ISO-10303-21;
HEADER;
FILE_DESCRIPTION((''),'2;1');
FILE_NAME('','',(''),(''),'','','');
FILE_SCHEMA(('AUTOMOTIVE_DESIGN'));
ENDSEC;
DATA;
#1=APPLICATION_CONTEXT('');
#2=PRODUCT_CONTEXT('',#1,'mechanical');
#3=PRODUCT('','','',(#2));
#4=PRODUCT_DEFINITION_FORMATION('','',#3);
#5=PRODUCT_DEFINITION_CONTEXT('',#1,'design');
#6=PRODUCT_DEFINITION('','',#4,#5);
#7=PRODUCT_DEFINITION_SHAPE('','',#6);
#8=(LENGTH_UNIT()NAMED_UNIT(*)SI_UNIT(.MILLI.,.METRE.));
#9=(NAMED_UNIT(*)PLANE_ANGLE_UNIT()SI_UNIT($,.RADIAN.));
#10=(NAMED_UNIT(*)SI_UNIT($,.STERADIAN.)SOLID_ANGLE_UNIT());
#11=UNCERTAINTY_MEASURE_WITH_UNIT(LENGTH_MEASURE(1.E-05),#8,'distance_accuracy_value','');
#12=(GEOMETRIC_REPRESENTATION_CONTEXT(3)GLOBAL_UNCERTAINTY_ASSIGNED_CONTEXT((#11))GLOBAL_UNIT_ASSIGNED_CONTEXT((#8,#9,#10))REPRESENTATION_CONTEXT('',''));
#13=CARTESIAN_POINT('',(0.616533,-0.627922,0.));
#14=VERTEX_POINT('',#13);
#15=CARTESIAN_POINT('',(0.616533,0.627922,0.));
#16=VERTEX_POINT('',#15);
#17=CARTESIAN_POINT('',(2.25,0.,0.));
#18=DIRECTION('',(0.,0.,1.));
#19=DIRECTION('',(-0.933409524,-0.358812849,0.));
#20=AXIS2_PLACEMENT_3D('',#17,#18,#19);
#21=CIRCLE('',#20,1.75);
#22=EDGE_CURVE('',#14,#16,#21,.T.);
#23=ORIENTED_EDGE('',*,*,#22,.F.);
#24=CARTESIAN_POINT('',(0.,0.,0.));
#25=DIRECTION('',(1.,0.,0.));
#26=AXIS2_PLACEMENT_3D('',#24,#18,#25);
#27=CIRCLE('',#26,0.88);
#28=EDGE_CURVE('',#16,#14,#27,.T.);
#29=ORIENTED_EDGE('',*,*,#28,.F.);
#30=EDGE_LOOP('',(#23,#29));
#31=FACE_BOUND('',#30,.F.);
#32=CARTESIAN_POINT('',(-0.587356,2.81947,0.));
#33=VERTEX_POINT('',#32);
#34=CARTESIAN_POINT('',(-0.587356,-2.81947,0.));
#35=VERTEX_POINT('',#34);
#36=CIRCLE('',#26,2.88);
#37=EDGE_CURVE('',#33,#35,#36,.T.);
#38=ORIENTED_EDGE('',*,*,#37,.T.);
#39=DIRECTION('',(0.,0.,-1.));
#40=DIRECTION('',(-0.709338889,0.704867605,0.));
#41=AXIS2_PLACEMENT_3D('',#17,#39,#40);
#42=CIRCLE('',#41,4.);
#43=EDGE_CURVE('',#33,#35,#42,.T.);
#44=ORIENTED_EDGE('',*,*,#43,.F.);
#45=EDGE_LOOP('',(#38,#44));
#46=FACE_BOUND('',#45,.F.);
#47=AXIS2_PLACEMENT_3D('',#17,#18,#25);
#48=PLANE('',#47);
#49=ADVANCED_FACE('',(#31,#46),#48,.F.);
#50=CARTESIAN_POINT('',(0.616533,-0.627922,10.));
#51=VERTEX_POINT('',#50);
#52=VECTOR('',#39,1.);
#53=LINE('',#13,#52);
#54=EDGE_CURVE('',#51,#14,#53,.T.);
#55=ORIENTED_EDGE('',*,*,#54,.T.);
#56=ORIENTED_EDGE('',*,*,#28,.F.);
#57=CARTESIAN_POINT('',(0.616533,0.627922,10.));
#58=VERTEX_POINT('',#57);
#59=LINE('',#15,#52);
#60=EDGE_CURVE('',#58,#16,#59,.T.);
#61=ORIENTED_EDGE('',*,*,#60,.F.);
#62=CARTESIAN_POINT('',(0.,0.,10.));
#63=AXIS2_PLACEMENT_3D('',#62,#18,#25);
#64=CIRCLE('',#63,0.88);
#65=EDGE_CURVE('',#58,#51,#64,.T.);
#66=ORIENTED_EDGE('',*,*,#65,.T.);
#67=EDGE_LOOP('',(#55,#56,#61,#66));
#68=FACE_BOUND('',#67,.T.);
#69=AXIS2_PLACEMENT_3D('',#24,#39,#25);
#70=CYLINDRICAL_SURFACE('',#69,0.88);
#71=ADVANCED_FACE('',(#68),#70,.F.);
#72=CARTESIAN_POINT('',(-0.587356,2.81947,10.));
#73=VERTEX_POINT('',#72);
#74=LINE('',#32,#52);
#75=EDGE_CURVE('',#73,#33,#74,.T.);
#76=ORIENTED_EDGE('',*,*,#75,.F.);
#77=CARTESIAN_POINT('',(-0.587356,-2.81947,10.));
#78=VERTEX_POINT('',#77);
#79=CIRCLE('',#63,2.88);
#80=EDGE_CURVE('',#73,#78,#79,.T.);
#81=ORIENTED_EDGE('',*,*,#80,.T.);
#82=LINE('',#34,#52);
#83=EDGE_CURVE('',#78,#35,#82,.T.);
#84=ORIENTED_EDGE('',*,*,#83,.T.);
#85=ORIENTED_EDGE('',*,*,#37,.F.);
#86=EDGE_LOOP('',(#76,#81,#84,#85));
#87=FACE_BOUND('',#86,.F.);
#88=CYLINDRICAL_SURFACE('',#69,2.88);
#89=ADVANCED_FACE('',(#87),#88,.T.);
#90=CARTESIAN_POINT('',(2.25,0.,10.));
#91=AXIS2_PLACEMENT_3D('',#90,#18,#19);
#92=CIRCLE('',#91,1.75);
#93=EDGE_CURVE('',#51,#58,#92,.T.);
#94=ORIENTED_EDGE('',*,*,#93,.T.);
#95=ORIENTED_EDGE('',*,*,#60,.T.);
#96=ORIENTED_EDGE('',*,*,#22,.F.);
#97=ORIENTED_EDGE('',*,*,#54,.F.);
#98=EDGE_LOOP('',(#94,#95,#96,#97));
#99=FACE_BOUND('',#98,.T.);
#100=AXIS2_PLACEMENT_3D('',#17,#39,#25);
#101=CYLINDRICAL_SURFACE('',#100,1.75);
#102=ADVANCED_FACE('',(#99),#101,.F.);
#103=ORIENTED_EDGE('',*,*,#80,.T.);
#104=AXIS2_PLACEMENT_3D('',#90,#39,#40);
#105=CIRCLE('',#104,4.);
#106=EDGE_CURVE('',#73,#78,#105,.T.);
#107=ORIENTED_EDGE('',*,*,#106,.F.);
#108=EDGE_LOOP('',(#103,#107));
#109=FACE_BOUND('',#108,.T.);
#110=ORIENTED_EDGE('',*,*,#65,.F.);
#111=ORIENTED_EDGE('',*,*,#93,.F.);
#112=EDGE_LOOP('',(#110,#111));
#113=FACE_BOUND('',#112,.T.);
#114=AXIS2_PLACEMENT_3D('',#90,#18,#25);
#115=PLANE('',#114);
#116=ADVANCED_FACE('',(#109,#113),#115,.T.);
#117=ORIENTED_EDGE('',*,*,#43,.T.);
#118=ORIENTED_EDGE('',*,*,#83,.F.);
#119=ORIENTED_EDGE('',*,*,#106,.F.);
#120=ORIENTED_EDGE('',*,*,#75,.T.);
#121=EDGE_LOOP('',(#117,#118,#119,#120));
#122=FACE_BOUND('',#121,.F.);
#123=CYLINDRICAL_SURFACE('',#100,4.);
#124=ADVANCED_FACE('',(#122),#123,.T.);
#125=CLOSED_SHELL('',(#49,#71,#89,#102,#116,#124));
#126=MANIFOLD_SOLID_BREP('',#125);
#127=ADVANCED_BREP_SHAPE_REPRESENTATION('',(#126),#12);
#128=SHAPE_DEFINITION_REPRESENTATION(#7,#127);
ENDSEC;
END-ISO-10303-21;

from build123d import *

# Parameters (mm, degrees)
CYLINDER001_R     = 0.88
CYLINDER001_DEPTH = 10
CYLINDER002_R     = 1.75
CYLINDER002_DEPTH = 10
CYLINDER_R        = 2.88
CYLINDER_DEPTH    = 10
CYLINDER003_R     = 4
CYLINDER003_DEPTH = 10


with BuildPart() as filament:
    # Cylinder001 → Cylinder001 (new body)
    with BuildSketch(Plane.XY):
        Circle(CYLINDER001_R)
    extrude(amount=CYLINDER001_DEPTH)


with BuildPart() as screw:
    # Cylinder002 → Cylinder002 (new body)
    with BuildSketch(Plane(origin=(2.25, 0, 0), x_dir=(1, 0, 0), z_dir=(0, 0, 1))):
        Circle(CYLINDER002_R)
    extrude(amount=CYLINDER002_DEPTH)


with BuildPart() as supportfilament:
    # Cylinder → Cylinder (new body)
    with BuildSketch(Plane.XY):
        Circle(CYLINDER_R)
    extrude(amount=CYLINDER_DEPTH)


with BuildPart() as cut001:
    # Cylinder003 → Cylinder003 (new body)
    with BuildSketch(Plane(origin=(2.25, 0, 0), x_dir=(1, 0, 0), z_dir=(0, 0, 1))):
        Circle(CYLINDER003_R)
    extrude(amount=CYLINDER003_DEPTH)

    # Fusion: union SupportFilament
    add(supportfilament.part)

    # Cut: cut Screw
    add(screw.part, mode=Mode.SUBTRACT)

    # Cut001: cut Filament
    add(filament.part, mode=Mode.SUBTRACT)


solid = cut001.part
